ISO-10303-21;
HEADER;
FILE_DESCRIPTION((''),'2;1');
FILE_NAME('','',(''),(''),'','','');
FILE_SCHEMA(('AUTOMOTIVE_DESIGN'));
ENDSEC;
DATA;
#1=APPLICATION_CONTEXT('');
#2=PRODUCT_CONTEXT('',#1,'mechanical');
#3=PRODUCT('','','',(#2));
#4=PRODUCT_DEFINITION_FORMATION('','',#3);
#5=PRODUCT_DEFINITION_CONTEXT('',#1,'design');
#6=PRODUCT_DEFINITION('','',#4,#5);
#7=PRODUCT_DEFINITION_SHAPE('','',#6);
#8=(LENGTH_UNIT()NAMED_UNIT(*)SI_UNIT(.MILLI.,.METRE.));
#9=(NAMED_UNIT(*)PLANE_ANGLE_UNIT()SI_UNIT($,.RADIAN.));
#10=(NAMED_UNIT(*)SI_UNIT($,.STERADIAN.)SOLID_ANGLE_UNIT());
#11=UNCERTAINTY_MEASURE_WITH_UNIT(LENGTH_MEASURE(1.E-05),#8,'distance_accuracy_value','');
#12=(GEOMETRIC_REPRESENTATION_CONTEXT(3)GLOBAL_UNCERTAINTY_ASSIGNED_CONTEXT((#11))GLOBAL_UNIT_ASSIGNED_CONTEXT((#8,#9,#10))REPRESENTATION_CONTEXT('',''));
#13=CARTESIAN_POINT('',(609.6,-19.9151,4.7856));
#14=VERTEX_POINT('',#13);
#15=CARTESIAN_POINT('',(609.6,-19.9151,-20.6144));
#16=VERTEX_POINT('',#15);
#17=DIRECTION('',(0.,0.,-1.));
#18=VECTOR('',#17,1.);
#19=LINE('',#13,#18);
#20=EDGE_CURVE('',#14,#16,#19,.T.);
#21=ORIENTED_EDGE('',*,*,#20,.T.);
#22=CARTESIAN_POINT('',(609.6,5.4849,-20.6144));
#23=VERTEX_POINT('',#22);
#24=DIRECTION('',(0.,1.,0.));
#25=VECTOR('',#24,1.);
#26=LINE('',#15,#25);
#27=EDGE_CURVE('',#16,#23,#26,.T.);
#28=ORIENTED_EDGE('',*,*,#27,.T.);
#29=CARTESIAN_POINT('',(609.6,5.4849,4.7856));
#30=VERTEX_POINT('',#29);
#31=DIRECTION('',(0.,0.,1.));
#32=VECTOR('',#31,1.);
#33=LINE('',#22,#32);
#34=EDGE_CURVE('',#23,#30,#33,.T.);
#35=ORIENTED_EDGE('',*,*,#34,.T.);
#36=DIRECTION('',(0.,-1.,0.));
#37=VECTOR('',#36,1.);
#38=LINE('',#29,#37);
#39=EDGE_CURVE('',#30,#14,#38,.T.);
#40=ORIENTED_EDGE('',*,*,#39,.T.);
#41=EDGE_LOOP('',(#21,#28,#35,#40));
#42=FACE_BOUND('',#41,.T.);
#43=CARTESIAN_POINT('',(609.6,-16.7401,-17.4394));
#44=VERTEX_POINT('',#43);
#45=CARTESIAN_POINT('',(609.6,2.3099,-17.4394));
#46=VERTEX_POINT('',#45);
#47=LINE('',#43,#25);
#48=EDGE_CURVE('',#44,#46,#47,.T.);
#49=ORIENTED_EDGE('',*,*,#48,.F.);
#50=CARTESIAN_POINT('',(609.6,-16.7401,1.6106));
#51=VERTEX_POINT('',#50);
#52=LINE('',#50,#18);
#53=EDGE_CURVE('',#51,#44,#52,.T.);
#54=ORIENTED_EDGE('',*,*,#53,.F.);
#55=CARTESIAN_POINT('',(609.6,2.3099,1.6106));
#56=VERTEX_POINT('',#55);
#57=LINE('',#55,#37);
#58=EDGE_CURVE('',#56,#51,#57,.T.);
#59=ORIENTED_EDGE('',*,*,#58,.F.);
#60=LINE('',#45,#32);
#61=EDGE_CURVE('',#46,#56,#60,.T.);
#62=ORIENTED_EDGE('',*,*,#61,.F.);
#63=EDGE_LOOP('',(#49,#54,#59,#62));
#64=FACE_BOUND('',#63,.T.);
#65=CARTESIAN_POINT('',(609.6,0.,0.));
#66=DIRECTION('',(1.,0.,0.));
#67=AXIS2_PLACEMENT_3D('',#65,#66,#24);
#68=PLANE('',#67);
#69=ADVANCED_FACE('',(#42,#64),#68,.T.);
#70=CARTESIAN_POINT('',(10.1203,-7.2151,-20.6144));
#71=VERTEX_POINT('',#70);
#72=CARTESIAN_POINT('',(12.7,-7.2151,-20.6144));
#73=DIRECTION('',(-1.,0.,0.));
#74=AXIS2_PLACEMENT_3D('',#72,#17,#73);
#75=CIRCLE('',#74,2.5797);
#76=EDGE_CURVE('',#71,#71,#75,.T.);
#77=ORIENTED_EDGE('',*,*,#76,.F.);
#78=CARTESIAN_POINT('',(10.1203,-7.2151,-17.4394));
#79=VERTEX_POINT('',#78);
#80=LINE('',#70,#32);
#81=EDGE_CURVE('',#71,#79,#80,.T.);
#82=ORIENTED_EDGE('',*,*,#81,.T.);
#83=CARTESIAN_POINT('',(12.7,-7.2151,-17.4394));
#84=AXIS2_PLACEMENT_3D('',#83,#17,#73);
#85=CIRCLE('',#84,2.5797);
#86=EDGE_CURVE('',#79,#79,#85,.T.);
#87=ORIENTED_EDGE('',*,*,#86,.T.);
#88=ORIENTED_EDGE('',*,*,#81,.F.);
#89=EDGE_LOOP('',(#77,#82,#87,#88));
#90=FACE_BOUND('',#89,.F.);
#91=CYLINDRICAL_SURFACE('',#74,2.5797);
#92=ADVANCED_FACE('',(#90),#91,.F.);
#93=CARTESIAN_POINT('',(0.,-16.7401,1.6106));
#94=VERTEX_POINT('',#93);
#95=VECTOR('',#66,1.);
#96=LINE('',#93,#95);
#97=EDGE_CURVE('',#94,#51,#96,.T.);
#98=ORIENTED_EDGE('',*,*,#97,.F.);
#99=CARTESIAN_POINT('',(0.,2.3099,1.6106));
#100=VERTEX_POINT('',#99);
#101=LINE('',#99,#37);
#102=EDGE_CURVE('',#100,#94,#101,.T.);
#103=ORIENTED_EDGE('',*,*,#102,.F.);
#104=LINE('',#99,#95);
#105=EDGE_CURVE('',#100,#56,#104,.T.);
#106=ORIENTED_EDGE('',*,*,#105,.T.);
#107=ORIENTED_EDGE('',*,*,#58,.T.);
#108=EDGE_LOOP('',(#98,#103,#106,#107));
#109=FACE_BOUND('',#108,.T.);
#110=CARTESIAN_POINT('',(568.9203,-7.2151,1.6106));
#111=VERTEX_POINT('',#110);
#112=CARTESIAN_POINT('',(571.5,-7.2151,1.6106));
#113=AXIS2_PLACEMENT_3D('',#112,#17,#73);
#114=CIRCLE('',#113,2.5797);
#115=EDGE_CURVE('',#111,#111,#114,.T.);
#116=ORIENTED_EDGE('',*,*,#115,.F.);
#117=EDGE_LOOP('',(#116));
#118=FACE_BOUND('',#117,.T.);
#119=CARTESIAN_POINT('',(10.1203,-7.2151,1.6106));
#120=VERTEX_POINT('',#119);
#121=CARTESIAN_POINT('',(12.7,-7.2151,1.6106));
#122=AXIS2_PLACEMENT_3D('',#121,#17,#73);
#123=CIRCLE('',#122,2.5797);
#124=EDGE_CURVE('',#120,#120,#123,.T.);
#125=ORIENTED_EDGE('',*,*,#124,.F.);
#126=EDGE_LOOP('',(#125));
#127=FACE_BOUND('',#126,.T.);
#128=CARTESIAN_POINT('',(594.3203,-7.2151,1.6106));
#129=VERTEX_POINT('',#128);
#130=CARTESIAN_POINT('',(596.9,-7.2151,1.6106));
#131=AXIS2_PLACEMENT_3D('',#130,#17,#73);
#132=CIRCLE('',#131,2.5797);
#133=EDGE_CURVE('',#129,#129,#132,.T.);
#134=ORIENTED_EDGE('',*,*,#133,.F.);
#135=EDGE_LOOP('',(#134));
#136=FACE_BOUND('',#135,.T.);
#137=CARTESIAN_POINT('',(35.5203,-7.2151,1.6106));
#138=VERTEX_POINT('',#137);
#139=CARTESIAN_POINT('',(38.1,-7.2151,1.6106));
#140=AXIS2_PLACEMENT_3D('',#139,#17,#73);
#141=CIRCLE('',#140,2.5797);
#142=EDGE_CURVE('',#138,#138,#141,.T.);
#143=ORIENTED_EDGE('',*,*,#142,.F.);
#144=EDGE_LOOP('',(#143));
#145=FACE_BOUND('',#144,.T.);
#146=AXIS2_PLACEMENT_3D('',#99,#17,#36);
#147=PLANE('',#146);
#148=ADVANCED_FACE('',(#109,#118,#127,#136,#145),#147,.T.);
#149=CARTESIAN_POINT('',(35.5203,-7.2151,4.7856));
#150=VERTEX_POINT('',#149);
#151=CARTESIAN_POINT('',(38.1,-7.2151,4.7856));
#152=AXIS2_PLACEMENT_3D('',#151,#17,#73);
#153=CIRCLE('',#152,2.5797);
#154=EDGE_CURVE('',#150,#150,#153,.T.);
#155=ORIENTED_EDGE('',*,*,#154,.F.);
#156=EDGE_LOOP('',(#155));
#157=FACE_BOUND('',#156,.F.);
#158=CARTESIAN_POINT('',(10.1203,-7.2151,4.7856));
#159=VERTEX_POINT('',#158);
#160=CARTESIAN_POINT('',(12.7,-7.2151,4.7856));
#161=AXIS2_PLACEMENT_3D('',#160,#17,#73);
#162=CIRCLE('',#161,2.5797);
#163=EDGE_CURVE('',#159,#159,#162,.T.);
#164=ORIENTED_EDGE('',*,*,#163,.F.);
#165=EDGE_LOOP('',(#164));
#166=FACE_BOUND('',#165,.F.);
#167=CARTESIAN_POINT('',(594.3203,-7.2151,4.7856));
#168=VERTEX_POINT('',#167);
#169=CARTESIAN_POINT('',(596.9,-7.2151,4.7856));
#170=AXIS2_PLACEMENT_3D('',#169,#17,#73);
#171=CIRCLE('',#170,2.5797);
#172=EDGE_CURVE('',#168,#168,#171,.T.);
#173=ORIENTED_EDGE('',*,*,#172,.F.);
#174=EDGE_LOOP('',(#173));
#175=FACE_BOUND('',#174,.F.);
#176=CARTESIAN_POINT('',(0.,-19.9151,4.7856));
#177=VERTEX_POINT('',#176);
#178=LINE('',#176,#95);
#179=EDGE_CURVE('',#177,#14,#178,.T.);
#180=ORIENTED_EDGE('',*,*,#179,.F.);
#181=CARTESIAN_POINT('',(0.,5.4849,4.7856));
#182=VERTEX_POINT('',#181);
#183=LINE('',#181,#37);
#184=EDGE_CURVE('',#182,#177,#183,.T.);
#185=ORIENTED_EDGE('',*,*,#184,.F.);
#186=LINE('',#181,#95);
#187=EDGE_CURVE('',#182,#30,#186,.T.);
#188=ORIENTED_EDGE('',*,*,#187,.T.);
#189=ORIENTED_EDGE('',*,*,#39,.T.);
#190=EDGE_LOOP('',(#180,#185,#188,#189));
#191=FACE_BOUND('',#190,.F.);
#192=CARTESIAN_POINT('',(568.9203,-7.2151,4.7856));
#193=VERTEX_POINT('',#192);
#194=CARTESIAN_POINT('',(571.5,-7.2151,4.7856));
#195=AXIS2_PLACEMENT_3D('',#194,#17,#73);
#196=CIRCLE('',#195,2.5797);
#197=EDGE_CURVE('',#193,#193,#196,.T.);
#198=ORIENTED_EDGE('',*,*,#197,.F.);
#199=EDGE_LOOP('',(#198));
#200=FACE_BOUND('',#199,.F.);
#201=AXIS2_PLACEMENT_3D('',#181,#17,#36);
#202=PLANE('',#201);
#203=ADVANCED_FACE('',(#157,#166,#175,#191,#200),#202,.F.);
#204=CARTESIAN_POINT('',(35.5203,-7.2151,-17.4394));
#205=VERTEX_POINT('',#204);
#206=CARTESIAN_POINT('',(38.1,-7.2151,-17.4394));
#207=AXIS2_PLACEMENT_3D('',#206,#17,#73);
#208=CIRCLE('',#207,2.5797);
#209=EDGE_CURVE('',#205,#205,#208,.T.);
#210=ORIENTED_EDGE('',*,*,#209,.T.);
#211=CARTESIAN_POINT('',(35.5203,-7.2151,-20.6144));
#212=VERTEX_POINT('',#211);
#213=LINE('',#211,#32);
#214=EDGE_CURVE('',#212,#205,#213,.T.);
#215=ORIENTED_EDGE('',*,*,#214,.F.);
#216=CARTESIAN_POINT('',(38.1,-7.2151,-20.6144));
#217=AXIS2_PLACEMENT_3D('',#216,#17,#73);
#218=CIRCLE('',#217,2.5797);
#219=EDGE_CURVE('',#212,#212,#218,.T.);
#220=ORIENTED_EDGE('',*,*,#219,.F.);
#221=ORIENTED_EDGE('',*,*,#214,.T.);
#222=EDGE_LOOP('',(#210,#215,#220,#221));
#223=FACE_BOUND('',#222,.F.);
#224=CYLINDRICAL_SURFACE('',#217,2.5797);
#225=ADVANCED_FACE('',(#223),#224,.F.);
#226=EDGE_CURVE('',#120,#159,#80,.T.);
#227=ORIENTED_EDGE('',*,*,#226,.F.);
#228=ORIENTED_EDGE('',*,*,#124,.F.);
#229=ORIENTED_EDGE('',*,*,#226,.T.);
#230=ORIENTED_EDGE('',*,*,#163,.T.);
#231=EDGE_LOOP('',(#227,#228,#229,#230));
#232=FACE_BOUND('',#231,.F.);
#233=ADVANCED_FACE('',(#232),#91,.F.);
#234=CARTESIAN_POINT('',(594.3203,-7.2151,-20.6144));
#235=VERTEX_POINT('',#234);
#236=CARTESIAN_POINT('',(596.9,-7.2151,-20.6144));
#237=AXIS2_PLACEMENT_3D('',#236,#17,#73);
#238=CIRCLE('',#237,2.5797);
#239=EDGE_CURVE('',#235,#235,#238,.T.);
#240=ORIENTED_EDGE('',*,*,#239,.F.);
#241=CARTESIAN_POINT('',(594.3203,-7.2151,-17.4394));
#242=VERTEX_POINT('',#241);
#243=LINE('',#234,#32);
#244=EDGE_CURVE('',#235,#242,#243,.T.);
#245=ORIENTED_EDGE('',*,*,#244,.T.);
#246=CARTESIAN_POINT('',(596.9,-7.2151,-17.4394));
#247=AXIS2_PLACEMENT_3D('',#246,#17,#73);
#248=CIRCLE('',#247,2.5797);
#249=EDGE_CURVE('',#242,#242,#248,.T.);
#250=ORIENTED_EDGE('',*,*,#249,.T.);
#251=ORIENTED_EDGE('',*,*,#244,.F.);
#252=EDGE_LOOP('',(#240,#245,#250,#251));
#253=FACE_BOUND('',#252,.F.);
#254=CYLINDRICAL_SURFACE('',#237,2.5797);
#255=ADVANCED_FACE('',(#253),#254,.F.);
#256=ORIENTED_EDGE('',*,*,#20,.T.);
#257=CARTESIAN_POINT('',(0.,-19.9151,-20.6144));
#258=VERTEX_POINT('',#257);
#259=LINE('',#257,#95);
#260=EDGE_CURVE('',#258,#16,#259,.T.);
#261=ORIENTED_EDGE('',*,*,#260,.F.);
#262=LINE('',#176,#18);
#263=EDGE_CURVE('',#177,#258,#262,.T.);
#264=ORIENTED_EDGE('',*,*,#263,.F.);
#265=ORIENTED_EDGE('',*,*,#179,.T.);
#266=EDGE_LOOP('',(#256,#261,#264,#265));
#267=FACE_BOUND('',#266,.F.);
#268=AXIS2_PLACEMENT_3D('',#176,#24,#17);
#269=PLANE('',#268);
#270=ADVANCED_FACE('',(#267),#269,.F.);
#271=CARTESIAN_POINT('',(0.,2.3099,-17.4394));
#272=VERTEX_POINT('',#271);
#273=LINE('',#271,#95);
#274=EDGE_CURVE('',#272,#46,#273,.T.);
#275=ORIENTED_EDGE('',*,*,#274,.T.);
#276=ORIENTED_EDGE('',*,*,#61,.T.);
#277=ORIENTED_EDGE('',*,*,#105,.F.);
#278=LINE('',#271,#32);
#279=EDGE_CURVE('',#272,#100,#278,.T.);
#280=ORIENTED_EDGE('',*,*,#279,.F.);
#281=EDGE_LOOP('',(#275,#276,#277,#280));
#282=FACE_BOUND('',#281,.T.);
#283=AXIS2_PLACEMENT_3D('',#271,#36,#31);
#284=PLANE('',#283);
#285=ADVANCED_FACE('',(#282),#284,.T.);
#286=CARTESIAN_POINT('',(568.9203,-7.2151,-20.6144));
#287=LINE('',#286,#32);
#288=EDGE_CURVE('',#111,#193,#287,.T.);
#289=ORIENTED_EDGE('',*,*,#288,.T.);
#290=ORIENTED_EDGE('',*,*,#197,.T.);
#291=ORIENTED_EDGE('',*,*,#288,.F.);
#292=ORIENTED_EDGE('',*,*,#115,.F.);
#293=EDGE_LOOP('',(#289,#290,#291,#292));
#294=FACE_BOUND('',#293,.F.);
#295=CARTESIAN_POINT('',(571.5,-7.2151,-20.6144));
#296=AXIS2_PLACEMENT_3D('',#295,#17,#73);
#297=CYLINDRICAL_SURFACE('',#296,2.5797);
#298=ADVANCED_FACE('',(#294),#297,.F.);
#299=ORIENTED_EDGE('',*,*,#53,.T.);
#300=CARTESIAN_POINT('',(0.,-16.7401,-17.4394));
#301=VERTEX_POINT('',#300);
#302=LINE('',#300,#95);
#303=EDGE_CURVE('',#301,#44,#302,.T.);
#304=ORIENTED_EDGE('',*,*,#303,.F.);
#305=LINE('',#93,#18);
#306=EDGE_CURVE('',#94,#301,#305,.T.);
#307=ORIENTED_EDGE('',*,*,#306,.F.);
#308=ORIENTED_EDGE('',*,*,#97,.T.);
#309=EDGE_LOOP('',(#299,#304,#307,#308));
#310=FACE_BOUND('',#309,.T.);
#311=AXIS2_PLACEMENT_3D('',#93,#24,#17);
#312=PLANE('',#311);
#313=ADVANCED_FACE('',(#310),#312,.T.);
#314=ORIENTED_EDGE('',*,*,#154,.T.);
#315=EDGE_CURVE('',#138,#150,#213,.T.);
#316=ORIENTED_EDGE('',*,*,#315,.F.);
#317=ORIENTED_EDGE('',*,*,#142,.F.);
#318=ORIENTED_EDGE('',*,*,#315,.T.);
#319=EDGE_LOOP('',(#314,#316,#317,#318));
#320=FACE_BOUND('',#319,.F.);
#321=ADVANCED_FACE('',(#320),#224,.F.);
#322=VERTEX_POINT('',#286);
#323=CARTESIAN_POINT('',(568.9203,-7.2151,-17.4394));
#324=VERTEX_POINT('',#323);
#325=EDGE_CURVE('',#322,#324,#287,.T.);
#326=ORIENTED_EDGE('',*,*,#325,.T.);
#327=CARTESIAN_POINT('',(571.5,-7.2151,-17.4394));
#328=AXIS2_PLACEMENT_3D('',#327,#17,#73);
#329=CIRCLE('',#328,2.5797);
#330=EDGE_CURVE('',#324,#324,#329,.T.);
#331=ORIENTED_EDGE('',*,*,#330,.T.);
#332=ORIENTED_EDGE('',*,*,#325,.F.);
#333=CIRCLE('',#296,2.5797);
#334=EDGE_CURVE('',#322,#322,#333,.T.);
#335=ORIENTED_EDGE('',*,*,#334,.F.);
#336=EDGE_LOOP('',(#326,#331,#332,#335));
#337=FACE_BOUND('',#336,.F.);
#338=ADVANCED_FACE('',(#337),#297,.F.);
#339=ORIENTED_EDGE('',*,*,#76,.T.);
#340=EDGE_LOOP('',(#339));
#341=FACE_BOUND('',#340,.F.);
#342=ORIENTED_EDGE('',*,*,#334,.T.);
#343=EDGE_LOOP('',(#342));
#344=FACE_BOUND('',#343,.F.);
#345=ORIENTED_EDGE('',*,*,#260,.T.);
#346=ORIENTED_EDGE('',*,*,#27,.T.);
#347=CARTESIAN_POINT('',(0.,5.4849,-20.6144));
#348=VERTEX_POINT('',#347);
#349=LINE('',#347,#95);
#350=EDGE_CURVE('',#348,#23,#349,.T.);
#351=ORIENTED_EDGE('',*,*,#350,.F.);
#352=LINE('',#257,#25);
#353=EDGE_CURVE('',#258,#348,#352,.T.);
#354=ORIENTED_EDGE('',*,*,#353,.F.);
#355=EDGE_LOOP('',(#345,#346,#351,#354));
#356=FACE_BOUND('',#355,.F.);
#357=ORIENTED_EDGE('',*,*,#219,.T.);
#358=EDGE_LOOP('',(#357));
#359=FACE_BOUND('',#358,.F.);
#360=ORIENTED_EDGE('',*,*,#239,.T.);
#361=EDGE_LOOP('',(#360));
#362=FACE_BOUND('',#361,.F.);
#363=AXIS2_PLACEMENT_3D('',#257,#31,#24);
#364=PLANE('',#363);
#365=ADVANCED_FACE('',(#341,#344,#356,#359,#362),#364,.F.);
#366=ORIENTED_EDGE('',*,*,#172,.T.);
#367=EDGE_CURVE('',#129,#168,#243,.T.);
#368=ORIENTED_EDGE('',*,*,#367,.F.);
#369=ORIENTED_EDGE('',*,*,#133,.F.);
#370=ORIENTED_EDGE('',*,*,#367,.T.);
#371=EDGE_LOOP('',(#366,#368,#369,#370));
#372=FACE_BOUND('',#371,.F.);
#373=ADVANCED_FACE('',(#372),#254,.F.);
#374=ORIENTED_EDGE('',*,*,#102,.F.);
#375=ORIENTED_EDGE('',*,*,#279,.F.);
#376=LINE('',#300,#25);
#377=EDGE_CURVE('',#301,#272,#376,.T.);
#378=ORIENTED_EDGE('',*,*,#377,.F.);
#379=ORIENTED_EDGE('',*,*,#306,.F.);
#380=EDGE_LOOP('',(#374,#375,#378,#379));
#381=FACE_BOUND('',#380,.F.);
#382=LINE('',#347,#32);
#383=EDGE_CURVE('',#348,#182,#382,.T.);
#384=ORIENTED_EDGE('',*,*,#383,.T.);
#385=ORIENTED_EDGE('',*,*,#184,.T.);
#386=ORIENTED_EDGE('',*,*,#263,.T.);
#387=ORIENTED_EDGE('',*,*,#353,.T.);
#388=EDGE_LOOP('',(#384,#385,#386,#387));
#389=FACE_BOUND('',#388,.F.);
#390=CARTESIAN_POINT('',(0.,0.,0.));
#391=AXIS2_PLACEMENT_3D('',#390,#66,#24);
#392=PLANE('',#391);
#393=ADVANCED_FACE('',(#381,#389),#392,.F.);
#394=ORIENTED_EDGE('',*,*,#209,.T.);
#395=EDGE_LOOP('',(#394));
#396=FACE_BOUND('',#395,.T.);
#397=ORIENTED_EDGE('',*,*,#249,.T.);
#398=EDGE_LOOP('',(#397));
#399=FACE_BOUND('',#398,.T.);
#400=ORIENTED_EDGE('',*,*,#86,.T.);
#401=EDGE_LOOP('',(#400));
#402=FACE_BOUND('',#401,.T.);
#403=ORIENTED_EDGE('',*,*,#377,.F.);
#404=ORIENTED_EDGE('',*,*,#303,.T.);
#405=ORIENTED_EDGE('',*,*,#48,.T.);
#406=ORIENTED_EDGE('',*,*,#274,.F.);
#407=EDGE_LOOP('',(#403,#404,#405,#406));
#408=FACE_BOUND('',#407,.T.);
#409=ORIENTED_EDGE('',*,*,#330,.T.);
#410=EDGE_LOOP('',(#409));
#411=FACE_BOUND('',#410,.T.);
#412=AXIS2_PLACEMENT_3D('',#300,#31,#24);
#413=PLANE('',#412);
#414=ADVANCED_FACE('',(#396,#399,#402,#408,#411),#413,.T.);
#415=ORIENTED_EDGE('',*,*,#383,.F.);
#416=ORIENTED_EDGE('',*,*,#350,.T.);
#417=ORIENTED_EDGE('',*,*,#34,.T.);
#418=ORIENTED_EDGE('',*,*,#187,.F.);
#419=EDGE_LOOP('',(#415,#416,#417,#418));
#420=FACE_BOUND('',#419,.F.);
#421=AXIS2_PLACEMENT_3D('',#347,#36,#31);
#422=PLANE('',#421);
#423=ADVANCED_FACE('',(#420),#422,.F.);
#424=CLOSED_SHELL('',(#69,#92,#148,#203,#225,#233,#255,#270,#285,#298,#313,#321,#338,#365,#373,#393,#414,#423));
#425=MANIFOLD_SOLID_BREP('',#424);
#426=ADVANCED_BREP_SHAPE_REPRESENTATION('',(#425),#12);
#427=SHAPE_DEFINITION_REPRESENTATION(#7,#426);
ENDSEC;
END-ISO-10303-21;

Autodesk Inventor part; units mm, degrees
ref_plane "YZ Plane" through (0, 0, 0) normal (1, 0, 0) x (0, 1, 0)
ref_plane "XZ Plane" through (0, 0, 0) normal (0, 1, 0) x (-1, 0, 0)
ref_plane "XY Plane" through (0, 0, 0) normal (0, 0, 1) x (1, 0, 0)
sketch "Sketch1" plane through (0, 0, 0) normal (1, 0, 0) x (0, 1, 0)
  line L0 (5.4849, 4.7856) -> (-19.9151, 4.7856)
  line L1 (-19.9151, 4.7856) -> (-19.9151, -20.6144)
  line L2 (-19.9151, -20.6144) -> (5.4849, -20.6144)
  line L3 (5.4849, -20.6144) -> (5.4849, 4.7856)
  line L4 (2.3099, 1.6106) -> (-16.7401, 1.6106)
  line L5 (-16.7401, 1.6106) -> (-16.7401, -17.4394)
  line L6 (-16.7401, -17.4394) -> (2.3099, -17.4394)
  line L7 (2.3099, -17.4394) -> (2.3099, 1.6106)
  point P0 (0, 0)
  dimension "d0" = 25.4
  dimension "d1" = 25.4
  dimension "d2" = 3.175
extrude "Extrusion1" add sketch "Sketch1" along normal blind 609.6
sketch "Sketch3" plane through (0, -19.9151, -20.6144) normal (0, 0, -1) x (-1, 0, 0)
  line L0 (-609.6, 22.225) -> (-609.6, 3.175) construction
  line L1 (-609.6, 12.7) -> (-596.9, 12.7) construction
  line L2 (-596.9, 12.7) -> (-571.5, 12.7) construction
  line L3 (0, 3.175) -> (0, 22.225) construction
  line L4 (0, 12.7) -> (-12.7, 12.7) construction
  line L5 (-12.7, 12.7) -> (-38.1, 12.7) construction
  circle A0 centre (-12.7, 12.7) radius 2.5797
  circle A1 centre (-38.1, 12.7) radius 2.5797
  circle A2 centre (-596.9, 12.7) radius 2.5797
  circle A3 centre (-571.5, 12.7) radius 2.5797
  point P0 (0, 19.9151)
  dimension "d7" = 12.7
  dimension "d8" = 25.4
  dimension "d9" = 12.7
  dimension "d10" = 25.4
  dimension "d11" = 5.1594
  dimension "d12" = 5.1594
  dimension "d13" = 5.1594
  dimension "d14" = 5.1594
extrude "Extrusion3" cut sketch "Sketch3" against normal blind 584.2
properties part number "23in 1x1 Beam"
